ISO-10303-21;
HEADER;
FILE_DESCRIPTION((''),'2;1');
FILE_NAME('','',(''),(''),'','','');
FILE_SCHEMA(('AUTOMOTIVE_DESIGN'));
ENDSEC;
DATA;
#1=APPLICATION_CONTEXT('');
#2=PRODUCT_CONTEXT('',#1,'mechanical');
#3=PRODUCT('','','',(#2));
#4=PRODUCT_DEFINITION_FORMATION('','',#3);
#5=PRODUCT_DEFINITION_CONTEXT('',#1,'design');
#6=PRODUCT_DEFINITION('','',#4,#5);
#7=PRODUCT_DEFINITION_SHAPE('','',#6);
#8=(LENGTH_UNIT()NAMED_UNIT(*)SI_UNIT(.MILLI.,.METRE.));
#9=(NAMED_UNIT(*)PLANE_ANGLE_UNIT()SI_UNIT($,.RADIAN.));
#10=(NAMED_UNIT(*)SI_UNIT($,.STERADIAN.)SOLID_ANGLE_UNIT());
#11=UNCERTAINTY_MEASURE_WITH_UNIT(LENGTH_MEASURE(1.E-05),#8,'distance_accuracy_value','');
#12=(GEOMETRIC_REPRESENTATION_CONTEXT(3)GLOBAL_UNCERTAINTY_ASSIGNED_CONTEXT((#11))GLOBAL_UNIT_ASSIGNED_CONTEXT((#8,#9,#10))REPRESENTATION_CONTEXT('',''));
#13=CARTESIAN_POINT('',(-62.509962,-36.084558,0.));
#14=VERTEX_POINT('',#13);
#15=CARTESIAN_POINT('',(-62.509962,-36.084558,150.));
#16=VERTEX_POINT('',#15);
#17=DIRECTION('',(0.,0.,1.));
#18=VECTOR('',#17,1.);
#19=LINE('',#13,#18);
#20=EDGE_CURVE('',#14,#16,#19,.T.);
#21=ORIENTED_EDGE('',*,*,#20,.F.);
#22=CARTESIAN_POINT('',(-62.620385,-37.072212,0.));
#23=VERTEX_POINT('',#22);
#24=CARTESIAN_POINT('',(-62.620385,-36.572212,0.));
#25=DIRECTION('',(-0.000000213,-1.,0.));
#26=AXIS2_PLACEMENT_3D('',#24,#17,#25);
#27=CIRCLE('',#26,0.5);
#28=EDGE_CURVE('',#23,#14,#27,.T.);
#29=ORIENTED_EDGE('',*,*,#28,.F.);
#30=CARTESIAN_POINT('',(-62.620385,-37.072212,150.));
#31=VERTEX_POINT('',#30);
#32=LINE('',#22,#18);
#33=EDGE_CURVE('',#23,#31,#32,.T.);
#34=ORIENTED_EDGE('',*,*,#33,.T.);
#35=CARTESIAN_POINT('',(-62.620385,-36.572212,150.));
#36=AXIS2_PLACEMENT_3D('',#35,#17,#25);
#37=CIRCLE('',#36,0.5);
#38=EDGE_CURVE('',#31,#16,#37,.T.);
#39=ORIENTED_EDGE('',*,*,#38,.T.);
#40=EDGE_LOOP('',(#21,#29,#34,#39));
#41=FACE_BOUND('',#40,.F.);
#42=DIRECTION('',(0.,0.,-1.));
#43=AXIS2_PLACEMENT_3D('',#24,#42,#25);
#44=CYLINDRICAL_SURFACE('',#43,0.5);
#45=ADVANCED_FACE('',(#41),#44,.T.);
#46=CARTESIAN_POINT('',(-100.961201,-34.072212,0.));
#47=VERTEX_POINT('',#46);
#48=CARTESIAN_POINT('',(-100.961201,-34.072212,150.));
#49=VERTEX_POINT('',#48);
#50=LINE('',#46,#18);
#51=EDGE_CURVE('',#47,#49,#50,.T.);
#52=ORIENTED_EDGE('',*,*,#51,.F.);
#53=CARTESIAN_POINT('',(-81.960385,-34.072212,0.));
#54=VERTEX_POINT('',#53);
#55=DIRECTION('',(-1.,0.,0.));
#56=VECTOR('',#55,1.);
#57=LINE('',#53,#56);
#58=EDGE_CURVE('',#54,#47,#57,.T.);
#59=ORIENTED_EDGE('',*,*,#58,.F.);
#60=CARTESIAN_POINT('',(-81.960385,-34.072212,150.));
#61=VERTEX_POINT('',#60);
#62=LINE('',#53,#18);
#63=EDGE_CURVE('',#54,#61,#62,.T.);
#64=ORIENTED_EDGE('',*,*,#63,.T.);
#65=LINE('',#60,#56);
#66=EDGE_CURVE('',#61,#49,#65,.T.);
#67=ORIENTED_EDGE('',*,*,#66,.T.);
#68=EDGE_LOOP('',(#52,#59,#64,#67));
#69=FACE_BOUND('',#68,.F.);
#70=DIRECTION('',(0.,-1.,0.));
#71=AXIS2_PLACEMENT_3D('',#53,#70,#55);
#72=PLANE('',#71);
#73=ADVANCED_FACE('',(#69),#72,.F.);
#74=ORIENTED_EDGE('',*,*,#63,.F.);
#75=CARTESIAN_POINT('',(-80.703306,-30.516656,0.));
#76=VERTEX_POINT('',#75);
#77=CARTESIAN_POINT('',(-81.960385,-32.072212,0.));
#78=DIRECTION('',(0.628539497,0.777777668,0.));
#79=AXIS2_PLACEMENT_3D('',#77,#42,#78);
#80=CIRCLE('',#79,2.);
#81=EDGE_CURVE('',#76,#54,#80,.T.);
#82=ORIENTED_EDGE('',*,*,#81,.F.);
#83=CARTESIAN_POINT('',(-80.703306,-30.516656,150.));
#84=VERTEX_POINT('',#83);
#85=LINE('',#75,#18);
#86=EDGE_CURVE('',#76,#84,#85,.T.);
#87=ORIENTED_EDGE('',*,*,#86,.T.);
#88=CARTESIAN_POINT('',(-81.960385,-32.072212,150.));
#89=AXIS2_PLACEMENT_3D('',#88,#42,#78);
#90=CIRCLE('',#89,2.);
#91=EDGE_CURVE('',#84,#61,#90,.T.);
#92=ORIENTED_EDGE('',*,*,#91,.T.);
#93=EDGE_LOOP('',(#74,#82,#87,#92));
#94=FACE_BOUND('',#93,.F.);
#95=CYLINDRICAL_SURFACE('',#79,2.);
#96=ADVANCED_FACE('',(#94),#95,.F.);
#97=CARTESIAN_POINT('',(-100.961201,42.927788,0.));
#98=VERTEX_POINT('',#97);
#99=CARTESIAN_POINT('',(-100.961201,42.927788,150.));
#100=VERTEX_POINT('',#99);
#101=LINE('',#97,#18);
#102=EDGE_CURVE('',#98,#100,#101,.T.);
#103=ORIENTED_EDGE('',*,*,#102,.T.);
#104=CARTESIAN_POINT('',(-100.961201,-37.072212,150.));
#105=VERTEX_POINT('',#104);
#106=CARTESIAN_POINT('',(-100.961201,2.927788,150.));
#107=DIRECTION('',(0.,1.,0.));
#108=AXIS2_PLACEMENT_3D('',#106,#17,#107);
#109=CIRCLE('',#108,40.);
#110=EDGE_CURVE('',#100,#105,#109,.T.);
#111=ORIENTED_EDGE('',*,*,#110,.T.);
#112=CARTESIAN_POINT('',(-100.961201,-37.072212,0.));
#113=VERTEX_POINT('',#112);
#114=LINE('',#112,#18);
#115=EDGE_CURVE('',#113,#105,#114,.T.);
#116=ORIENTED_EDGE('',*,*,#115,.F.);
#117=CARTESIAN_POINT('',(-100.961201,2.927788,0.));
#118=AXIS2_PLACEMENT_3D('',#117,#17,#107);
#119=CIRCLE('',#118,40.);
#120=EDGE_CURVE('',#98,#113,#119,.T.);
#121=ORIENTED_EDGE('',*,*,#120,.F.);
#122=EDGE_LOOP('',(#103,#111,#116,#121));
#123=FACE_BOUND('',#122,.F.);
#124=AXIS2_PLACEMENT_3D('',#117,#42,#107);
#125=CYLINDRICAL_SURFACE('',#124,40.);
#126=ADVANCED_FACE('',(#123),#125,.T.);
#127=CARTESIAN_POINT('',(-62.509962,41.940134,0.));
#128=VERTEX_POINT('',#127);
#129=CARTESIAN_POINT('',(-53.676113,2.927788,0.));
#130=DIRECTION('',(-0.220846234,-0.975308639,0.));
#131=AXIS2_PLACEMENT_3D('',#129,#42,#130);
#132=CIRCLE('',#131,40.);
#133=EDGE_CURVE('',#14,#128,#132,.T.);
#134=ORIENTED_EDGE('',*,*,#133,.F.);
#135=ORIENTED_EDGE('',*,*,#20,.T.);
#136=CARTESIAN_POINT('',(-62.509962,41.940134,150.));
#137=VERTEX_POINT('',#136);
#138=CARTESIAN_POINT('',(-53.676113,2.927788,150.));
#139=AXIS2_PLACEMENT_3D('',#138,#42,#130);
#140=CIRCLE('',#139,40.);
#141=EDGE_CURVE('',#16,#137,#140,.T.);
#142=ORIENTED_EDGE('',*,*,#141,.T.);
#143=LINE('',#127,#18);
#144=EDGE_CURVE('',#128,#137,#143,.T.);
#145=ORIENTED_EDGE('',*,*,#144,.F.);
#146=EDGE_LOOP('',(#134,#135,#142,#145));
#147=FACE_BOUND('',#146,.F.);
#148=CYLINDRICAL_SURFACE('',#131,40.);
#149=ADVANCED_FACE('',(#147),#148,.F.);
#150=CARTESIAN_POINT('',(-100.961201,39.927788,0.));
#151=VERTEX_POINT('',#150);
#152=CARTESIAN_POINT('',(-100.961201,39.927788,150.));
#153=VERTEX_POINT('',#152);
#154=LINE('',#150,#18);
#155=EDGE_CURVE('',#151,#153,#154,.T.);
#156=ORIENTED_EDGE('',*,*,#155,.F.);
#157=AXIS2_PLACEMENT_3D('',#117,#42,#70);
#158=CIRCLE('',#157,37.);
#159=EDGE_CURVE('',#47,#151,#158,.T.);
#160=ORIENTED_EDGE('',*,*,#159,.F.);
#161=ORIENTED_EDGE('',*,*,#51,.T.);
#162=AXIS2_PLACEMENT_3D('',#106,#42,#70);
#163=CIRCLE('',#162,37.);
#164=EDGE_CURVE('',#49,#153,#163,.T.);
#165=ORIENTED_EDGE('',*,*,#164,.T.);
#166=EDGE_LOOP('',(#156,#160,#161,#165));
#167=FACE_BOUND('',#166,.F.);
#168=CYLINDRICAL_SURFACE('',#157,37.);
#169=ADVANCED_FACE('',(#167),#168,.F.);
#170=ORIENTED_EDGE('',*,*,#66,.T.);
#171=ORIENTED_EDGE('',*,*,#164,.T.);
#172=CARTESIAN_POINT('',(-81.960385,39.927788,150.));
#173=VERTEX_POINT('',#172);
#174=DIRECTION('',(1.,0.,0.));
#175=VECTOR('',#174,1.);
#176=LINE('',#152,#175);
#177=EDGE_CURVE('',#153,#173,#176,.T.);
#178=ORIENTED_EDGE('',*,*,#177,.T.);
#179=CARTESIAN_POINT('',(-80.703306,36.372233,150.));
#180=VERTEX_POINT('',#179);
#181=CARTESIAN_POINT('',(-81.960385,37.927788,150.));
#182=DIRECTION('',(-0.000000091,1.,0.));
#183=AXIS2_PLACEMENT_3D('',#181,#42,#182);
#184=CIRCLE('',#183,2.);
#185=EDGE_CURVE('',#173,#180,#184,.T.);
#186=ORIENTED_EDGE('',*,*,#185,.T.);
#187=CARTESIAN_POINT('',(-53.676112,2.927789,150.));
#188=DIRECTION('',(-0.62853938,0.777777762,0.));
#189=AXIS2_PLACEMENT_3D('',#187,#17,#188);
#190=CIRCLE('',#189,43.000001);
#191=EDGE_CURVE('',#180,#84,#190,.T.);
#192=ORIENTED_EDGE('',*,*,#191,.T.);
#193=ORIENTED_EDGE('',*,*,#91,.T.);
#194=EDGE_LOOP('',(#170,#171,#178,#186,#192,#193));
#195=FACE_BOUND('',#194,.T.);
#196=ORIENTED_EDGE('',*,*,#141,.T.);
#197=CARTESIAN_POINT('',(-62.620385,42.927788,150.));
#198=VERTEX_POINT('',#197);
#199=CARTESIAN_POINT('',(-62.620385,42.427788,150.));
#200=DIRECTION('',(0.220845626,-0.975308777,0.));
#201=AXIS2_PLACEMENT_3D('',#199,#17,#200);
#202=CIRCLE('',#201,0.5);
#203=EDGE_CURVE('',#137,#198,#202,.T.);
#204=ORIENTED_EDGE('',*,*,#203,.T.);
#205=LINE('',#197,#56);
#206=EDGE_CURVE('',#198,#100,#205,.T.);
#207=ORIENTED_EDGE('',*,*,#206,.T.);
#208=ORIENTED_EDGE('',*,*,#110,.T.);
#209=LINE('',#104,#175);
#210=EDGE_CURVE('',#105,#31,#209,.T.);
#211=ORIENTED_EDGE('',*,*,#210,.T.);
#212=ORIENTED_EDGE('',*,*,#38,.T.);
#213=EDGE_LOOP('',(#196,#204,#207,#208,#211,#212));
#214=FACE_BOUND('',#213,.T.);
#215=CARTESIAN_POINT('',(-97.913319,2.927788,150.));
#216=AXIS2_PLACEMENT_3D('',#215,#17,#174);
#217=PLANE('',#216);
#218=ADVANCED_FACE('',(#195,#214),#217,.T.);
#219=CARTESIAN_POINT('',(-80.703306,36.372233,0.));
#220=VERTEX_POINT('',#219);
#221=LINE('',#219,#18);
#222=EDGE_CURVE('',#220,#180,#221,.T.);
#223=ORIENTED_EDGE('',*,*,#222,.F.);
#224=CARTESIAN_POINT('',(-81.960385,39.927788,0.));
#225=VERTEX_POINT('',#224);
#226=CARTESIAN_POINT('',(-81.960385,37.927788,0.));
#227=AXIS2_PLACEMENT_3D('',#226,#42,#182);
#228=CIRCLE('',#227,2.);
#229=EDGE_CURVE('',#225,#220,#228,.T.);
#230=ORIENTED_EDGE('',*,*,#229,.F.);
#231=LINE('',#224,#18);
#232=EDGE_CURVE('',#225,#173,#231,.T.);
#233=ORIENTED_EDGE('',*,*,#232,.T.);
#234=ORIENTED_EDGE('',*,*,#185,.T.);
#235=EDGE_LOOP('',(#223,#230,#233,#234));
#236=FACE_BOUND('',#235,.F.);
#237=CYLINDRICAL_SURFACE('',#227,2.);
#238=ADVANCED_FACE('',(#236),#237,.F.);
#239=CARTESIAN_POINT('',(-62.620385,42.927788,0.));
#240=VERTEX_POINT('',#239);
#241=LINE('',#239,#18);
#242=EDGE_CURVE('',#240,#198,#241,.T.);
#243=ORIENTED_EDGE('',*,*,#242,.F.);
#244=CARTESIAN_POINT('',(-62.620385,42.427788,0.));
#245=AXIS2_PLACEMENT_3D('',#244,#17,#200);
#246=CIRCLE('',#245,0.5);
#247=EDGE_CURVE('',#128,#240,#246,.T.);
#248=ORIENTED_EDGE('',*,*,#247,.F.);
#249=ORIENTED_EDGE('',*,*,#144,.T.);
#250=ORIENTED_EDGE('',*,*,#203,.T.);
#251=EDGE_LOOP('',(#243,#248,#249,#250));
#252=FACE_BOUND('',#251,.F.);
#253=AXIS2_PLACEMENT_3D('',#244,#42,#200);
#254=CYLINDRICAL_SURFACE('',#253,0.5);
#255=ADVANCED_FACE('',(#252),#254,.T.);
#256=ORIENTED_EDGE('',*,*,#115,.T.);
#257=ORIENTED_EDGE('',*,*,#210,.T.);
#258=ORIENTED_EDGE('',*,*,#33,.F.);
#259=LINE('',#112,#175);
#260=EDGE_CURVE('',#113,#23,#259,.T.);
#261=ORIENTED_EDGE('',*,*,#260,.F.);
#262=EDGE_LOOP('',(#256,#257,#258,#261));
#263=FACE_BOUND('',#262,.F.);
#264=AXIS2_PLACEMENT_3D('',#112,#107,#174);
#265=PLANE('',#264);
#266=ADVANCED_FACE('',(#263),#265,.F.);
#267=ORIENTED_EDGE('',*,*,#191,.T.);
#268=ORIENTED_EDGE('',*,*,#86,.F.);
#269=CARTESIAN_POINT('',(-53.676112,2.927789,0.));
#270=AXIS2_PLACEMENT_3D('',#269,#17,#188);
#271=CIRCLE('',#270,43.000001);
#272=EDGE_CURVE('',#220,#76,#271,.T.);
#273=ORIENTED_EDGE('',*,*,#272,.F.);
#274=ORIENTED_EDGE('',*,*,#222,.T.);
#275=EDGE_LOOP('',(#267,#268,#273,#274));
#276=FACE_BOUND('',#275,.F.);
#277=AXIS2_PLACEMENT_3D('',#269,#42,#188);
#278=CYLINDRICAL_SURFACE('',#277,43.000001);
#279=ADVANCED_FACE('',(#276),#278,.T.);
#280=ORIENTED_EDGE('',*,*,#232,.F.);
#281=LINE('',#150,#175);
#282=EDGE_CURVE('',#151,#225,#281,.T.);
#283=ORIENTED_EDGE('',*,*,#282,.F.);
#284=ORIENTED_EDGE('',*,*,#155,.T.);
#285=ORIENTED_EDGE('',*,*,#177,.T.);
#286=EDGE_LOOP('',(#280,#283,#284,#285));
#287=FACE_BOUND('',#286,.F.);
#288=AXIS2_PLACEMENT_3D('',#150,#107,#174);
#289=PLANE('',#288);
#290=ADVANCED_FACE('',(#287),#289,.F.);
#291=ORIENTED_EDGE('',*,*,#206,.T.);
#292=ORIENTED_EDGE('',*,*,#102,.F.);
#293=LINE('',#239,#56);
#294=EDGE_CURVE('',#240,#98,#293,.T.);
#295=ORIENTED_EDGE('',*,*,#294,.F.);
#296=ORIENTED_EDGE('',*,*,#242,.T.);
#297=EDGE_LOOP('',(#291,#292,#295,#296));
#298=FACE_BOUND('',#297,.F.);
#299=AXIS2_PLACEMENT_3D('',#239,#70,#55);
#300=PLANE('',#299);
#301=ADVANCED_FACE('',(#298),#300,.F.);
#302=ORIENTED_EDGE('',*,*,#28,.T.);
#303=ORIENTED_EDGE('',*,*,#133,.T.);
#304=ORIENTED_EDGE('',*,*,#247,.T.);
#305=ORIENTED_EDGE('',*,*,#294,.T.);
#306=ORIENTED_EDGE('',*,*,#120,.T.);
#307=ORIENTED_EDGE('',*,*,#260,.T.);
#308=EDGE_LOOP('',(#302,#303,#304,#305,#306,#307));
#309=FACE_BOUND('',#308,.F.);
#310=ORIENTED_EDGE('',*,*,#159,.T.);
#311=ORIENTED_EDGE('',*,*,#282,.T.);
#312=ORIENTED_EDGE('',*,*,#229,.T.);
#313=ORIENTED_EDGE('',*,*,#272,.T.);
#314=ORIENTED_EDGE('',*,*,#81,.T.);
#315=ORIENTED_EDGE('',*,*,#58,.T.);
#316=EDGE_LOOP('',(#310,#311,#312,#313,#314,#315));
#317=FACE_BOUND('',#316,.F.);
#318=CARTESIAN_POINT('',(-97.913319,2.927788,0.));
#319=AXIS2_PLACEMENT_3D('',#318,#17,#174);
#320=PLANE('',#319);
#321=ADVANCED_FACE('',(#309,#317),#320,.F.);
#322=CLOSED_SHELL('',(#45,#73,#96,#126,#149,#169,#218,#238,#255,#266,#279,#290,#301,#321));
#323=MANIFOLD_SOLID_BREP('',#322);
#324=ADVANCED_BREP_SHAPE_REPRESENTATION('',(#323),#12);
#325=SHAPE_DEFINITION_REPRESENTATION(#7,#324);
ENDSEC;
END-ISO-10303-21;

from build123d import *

# Parameters (mm, degrees)
F1_DEPTH = 150


with BuildPart() as f1:
    # F0 (on Top) → F1 (new body)
    with BuildSketch(Plane.XY):
        with BuildLine():
            ThreePointArc((-62.509962, -36.084558), (-93.676113, 2.927788), (-62.509962, 41.940134))
            ThreePointArc((-62.509962, 41.940134), (-62.123481, 42.483344), (-62.620385, 42.927788))
            Line((-62.620385, 42.927788), (-100.961201, 42.927788))
            ThreePointArc((-100.961201, 42.927788), (-140.961201, 2.927788), (-100.961201, -37.072212))
            Line((-100.961201, -37.072212), (-62.620385, -37.072212))
            ThreePointArc((-62.620385, -37.072212), (-62.123481, -36.627767), (-62.509962, -36.084558))
        make_face()
        with BuildLine():
            ThreePointArc((-100.961201, -34.072212), (-137.961201, 2.927788), (-100.961201, 39.927788))
            Line((-100.961201, 39.927788), (-81.960385, 39.927788))
            ThreePointArc((-81.960385, 39.927788), (-80.074767, 38.594455), (-80.703306, 36.372233))
            ThreePointArc((-80.703306, 36.372233), (-96.676113, 2.927788), (-80.703306, -30.516656))
            ThreePointArc((-80.703306, -30.516656), (-80.074767, -32.738879), (-81.960385, -34.072212))
            Line((-81.960385, -34.072212), (-100.961201, -34.072212))
        make_face(mode=Mode.SUBTRACT)
    extrude(amount=F1_DEPTH)


solid = f1.part
